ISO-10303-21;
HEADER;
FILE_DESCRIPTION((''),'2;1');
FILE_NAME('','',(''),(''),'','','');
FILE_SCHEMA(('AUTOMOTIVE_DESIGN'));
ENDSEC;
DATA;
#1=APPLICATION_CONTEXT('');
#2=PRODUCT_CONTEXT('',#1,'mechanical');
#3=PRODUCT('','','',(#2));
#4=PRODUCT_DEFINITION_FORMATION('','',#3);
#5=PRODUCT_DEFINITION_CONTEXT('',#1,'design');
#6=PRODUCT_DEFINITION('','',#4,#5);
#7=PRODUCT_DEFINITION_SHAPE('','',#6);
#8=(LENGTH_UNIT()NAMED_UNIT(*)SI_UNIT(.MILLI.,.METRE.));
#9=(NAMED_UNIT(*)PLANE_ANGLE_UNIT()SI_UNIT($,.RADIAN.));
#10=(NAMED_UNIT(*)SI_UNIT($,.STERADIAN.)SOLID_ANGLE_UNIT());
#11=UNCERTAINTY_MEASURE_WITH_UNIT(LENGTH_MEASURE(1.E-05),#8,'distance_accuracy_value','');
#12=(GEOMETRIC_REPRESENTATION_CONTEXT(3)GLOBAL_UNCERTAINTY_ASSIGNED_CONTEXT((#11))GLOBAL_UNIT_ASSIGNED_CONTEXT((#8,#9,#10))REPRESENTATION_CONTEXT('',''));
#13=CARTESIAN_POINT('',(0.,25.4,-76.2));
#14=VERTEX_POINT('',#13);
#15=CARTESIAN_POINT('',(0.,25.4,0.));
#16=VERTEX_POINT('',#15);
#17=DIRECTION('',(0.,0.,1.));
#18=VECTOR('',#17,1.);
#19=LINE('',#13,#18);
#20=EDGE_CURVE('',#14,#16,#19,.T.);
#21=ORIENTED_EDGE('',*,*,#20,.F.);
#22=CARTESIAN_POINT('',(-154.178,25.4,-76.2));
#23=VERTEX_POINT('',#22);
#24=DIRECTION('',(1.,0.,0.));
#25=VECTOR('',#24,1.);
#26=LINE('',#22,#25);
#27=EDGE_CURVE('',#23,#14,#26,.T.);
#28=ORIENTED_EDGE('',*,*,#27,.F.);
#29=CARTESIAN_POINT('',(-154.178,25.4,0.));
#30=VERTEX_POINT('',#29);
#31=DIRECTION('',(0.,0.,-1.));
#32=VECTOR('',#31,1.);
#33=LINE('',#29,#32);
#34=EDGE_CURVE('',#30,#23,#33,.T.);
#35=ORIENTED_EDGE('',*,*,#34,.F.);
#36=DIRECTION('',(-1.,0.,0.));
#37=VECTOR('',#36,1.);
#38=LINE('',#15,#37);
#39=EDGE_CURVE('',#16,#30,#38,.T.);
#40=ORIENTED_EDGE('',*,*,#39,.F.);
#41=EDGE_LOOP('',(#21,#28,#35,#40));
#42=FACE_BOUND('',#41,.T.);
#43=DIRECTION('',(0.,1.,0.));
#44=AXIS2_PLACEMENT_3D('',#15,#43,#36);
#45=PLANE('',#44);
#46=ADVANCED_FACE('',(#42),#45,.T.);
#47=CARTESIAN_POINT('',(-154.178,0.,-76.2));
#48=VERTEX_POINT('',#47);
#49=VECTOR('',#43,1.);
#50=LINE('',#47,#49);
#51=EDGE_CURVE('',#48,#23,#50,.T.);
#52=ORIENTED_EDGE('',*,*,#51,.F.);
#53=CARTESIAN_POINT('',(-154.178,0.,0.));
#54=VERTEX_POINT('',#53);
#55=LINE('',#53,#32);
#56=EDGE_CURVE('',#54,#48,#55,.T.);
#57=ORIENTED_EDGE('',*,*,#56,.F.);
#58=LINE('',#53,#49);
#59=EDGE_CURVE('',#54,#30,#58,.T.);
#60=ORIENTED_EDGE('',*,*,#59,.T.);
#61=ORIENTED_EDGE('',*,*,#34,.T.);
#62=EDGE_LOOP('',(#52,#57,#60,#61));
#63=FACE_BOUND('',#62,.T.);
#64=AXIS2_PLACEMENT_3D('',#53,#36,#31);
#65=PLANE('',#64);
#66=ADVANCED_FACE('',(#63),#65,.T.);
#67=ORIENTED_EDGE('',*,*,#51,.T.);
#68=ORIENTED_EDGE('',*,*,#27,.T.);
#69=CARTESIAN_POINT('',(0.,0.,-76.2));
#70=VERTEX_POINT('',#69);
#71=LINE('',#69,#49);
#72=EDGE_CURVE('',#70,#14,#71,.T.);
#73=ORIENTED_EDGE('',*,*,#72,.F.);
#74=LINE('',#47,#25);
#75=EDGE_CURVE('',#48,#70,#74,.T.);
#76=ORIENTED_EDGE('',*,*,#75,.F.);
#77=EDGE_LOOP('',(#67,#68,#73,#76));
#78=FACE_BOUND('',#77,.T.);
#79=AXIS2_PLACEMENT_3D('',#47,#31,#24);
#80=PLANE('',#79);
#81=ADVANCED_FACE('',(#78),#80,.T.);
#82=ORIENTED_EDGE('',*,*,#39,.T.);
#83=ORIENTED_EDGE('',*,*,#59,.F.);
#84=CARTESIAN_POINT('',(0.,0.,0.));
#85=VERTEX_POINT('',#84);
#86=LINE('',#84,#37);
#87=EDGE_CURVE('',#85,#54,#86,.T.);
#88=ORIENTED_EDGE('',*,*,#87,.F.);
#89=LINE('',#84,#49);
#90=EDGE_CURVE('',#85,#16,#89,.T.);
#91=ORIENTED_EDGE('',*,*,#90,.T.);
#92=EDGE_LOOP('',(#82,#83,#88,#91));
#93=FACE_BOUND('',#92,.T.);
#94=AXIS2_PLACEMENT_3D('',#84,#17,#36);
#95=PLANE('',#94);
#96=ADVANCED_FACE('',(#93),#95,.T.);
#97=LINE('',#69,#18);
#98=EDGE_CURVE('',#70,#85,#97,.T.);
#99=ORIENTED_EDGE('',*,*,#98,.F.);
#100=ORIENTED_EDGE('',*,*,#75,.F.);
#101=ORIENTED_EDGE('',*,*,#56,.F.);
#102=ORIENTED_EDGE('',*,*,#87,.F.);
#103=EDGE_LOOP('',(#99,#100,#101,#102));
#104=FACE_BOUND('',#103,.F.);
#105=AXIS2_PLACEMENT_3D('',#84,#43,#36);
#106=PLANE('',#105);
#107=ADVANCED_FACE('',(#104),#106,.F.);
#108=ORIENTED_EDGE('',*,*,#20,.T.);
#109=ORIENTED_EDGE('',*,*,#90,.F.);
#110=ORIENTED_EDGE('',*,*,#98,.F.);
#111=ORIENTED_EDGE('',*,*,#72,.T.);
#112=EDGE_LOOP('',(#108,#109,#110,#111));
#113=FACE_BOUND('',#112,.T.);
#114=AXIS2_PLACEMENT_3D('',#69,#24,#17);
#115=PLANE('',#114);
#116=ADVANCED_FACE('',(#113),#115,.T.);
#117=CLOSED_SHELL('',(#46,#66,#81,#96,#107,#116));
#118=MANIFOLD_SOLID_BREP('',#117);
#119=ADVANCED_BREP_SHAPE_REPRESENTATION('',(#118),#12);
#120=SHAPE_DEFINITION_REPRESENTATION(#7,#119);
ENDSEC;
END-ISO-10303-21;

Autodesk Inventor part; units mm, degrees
ref_plane "YZ Plane" through (0, 0, 0) normal (1, 0, 0) x (0, 1, 0)
ref_plane "XZ Plane" through (0, 0, 0) normal (0, 1, 0) x (-1, 0, 0)
ref_plane "XY Plane" through (0, 0, 0) normal (0, 0, 1) x (1, 0, 0)
sketch "Sketch1" plane through (0, 0, 0) normal (0, 1, 0) x (-1, 0, 0)
  line L0 (0, 0) -> (154.178, 0)
  line L1 (154.178, 0) -> (154.178, -76.2)
  line L2 (154.178, -76.2) -> (0, -76.2)
  line L3 (0, -76.2) -> (0, 0)
  dimension "d0" = 154.178
  dimension "d1" = 76.2
extrude "Extrusion1" add sketch "Sketch1" along normal blind 25.4
properties part number "SpacerPiece" material "Wood (Birch)"
